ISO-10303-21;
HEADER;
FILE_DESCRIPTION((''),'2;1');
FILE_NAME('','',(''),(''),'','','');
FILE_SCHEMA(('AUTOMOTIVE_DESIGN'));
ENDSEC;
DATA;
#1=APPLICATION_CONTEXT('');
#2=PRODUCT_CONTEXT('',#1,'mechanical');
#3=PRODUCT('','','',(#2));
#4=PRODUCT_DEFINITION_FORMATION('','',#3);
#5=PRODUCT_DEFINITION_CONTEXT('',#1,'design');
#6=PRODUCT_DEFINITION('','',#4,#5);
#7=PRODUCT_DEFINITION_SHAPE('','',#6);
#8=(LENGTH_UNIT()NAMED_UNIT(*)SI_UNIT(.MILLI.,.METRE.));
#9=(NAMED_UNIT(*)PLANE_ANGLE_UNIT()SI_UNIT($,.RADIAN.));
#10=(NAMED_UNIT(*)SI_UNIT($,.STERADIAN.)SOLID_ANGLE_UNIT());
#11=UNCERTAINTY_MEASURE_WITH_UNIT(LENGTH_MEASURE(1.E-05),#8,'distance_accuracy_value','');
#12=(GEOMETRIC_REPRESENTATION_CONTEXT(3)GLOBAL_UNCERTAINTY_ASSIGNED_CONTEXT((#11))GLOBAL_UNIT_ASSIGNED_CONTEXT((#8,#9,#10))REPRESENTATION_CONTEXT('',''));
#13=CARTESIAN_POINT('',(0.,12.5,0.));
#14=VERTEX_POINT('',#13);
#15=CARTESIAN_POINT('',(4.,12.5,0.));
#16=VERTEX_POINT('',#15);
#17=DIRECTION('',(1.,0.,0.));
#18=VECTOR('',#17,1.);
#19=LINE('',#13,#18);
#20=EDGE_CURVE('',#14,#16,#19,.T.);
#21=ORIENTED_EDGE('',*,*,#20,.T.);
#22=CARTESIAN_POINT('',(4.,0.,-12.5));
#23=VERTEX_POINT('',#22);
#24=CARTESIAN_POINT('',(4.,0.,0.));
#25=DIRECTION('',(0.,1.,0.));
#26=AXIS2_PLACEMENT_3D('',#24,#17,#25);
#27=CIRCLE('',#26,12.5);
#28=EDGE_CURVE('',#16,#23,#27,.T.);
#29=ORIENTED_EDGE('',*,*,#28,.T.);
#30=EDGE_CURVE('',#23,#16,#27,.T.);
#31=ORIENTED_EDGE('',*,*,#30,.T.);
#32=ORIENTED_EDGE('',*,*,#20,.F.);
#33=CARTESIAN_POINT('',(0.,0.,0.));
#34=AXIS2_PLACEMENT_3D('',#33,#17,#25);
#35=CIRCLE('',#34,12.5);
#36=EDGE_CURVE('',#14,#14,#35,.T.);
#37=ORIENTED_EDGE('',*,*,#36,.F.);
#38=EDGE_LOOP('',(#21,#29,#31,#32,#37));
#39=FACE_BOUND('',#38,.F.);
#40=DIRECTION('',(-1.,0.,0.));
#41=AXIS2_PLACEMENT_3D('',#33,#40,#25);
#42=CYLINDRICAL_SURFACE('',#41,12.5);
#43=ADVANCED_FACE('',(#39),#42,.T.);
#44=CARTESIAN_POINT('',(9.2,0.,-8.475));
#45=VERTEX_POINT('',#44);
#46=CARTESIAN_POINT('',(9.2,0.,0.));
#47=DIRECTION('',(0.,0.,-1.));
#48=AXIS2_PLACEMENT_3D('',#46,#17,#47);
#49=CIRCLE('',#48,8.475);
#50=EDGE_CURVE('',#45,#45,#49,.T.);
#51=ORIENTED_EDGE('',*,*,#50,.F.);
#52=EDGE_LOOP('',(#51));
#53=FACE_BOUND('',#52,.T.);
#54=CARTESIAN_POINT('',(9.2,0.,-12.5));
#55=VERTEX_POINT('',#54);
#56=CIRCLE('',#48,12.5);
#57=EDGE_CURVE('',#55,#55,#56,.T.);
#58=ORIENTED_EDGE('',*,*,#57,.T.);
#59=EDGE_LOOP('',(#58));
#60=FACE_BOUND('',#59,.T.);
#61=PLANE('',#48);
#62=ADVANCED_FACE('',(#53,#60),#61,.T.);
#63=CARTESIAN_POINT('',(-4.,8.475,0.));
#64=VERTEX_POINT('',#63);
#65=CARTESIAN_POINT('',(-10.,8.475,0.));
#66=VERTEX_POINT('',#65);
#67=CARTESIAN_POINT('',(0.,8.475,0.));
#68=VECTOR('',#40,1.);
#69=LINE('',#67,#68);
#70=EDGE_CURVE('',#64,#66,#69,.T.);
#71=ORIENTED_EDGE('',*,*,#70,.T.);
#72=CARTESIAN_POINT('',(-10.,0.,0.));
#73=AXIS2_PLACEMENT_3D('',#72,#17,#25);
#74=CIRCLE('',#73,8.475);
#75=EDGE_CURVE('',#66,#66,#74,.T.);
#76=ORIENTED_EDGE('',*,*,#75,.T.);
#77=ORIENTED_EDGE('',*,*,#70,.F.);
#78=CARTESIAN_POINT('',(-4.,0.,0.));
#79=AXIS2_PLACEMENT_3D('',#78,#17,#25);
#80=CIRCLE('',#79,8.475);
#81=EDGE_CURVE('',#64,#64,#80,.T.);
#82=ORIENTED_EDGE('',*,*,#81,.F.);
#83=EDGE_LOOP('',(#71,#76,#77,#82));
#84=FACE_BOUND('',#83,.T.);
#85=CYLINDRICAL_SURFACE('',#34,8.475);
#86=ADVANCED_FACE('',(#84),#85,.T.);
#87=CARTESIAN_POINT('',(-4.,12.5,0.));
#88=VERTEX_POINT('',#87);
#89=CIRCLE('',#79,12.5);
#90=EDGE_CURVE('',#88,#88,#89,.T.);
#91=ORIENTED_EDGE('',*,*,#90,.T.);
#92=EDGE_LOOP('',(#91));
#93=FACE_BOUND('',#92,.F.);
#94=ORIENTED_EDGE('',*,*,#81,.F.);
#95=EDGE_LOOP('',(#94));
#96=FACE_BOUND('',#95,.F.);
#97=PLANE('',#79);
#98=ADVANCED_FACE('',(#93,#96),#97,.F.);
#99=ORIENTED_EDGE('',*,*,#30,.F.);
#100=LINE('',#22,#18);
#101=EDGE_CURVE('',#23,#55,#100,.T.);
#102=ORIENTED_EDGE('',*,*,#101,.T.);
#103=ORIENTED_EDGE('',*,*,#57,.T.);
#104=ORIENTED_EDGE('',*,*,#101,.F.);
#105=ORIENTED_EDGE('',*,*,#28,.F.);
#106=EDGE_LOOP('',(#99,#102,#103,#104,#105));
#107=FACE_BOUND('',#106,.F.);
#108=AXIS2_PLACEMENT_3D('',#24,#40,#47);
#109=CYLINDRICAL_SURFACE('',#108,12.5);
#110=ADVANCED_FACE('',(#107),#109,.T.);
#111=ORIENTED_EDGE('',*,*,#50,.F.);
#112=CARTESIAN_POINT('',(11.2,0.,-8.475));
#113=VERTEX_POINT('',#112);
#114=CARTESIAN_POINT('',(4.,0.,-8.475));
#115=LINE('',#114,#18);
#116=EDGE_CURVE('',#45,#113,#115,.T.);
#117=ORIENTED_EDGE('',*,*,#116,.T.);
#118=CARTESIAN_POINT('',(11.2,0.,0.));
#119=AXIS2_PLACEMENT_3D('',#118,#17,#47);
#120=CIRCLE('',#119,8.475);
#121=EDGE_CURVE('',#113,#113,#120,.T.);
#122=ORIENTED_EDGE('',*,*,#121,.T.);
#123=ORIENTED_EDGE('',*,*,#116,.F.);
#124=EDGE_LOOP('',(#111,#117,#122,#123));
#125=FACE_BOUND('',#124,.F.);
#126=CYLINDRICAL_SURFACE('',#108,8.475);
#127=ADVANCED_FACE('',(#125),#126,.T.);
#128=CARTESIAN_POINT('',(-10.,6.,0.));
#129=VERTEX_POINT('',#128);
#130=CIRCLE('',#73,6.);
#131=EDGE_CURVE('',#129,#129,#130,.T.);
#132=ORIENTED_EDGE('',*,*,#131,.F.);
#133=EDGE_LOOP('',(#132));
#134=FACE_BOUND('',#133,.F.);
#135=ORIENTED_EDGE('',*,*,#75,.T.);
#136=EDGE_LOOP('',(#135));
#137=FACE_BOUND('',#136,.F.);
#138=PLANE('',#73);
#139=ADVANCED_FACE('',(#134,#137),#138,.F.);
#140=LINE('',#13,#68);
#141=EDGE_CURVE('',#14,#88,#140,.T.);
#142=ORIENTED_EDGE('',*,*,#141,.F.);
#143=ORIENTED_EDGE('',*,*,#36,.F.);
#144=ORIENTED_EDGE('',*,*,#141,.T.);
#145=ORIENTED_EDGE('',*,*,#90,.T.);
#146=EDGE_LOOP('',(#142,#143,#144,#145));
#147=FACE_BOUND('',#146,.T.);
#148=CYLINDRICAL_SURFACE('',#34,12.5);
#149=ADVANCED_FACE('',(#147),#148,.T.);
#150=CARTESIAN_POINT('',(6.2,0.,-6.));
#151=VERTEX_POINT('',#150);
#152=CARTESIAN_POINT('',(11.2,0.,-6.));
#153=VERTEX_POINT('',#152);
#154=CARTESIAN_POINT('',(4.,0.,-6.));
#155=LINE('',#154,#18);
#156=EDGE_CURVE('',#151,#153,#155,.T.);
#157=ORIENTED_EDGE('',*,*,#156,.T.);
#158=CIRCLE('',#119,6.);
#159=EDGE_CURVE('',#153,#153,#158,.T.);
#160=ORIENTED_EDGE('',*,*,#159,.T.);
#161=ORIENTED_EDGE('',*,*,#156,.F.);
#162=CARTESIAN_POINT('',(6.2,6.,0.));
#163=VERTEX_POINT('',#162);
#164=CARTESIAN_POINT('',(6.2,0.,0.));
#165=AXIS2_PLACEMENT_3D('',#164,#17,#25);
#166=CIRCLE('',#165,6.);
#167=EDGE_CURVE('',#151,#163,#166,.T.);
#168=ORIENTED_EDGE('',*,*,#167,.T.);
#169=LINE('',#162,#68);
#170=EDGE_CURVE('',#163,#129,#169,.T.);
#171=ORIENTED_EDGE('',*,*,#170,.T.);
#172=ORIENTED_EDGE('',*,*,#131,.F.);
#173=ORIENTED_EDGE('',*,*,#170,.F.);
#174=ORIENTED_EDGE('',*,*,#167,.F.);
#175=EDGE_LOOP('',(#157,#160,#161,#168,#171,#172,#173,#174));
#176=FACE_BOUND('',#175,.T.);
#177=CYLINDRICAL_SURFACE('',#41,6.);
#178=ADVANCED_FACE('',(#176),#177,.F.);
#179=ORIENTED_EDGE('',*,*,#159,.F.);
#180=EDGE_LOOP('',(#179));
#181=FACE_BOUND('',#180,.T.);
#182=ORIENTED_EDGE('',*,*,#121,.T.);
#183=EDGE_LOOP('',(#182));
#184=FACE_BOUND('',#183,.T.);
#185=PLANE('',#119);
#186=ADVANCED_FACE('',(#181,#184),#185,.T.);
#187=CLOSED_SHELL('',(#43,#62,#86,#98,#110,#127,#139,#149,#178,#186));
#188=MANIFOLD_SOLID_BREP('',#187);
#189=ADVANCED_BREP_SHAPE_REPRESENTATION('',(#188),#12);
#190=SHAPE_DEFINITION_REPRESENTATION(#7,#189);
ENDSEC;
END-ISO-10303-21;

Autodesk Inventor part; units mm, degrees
ref_plane "YZ Plane" through (0, 0, 0) normal (1, 0, 0) x (0, 1, 0)
ref_plane "XZ Plane" through (0, 0, 0) normal (0, 1, 0) x (-1, 0, 0)
ref_plane "XY Plane" through (0, 0, 0) normal (0, 0, 1) x (1, 0, 0)
sketch "Boceto6" plane through (0, 0, 0) normal (1, 0, 0) x (0, 1, 0)
  circle A0 centre (0, 0) radius 6
  circle A1 centre (0, 0) radius 12.5
  circle A2 centre (0, 0) radius 8.475
  dimension "d16" = 12
  dimension "d17" = 25
  dimension "d18" = 16.95
extrude "Extrusión6" add sketch "Boceto6" along normal blind 4 and the other way blind 4 contours A1
extrude "Extrusión7" add sketch "Boceto6" along normal blind 6.2 and the other way blind 10 contours A2
sketch "Boceto7" plane through (4, 0, 0) normal (1, 0, 0) x (0, 0, -1)
  circle A0 centre (0, 0) radius 6
  circle A1 centre (0, 0) radius 8.475
  circle A2 centre (0, 0) radius 12.5
extrude "Extrusión8" add sketch "Boceto7" along normal blind 5.2 contours A2
extrude "Extrusión9" add sketch "Boceto7" along normal blind 7.2 contours A1
properties part number "Buge"
